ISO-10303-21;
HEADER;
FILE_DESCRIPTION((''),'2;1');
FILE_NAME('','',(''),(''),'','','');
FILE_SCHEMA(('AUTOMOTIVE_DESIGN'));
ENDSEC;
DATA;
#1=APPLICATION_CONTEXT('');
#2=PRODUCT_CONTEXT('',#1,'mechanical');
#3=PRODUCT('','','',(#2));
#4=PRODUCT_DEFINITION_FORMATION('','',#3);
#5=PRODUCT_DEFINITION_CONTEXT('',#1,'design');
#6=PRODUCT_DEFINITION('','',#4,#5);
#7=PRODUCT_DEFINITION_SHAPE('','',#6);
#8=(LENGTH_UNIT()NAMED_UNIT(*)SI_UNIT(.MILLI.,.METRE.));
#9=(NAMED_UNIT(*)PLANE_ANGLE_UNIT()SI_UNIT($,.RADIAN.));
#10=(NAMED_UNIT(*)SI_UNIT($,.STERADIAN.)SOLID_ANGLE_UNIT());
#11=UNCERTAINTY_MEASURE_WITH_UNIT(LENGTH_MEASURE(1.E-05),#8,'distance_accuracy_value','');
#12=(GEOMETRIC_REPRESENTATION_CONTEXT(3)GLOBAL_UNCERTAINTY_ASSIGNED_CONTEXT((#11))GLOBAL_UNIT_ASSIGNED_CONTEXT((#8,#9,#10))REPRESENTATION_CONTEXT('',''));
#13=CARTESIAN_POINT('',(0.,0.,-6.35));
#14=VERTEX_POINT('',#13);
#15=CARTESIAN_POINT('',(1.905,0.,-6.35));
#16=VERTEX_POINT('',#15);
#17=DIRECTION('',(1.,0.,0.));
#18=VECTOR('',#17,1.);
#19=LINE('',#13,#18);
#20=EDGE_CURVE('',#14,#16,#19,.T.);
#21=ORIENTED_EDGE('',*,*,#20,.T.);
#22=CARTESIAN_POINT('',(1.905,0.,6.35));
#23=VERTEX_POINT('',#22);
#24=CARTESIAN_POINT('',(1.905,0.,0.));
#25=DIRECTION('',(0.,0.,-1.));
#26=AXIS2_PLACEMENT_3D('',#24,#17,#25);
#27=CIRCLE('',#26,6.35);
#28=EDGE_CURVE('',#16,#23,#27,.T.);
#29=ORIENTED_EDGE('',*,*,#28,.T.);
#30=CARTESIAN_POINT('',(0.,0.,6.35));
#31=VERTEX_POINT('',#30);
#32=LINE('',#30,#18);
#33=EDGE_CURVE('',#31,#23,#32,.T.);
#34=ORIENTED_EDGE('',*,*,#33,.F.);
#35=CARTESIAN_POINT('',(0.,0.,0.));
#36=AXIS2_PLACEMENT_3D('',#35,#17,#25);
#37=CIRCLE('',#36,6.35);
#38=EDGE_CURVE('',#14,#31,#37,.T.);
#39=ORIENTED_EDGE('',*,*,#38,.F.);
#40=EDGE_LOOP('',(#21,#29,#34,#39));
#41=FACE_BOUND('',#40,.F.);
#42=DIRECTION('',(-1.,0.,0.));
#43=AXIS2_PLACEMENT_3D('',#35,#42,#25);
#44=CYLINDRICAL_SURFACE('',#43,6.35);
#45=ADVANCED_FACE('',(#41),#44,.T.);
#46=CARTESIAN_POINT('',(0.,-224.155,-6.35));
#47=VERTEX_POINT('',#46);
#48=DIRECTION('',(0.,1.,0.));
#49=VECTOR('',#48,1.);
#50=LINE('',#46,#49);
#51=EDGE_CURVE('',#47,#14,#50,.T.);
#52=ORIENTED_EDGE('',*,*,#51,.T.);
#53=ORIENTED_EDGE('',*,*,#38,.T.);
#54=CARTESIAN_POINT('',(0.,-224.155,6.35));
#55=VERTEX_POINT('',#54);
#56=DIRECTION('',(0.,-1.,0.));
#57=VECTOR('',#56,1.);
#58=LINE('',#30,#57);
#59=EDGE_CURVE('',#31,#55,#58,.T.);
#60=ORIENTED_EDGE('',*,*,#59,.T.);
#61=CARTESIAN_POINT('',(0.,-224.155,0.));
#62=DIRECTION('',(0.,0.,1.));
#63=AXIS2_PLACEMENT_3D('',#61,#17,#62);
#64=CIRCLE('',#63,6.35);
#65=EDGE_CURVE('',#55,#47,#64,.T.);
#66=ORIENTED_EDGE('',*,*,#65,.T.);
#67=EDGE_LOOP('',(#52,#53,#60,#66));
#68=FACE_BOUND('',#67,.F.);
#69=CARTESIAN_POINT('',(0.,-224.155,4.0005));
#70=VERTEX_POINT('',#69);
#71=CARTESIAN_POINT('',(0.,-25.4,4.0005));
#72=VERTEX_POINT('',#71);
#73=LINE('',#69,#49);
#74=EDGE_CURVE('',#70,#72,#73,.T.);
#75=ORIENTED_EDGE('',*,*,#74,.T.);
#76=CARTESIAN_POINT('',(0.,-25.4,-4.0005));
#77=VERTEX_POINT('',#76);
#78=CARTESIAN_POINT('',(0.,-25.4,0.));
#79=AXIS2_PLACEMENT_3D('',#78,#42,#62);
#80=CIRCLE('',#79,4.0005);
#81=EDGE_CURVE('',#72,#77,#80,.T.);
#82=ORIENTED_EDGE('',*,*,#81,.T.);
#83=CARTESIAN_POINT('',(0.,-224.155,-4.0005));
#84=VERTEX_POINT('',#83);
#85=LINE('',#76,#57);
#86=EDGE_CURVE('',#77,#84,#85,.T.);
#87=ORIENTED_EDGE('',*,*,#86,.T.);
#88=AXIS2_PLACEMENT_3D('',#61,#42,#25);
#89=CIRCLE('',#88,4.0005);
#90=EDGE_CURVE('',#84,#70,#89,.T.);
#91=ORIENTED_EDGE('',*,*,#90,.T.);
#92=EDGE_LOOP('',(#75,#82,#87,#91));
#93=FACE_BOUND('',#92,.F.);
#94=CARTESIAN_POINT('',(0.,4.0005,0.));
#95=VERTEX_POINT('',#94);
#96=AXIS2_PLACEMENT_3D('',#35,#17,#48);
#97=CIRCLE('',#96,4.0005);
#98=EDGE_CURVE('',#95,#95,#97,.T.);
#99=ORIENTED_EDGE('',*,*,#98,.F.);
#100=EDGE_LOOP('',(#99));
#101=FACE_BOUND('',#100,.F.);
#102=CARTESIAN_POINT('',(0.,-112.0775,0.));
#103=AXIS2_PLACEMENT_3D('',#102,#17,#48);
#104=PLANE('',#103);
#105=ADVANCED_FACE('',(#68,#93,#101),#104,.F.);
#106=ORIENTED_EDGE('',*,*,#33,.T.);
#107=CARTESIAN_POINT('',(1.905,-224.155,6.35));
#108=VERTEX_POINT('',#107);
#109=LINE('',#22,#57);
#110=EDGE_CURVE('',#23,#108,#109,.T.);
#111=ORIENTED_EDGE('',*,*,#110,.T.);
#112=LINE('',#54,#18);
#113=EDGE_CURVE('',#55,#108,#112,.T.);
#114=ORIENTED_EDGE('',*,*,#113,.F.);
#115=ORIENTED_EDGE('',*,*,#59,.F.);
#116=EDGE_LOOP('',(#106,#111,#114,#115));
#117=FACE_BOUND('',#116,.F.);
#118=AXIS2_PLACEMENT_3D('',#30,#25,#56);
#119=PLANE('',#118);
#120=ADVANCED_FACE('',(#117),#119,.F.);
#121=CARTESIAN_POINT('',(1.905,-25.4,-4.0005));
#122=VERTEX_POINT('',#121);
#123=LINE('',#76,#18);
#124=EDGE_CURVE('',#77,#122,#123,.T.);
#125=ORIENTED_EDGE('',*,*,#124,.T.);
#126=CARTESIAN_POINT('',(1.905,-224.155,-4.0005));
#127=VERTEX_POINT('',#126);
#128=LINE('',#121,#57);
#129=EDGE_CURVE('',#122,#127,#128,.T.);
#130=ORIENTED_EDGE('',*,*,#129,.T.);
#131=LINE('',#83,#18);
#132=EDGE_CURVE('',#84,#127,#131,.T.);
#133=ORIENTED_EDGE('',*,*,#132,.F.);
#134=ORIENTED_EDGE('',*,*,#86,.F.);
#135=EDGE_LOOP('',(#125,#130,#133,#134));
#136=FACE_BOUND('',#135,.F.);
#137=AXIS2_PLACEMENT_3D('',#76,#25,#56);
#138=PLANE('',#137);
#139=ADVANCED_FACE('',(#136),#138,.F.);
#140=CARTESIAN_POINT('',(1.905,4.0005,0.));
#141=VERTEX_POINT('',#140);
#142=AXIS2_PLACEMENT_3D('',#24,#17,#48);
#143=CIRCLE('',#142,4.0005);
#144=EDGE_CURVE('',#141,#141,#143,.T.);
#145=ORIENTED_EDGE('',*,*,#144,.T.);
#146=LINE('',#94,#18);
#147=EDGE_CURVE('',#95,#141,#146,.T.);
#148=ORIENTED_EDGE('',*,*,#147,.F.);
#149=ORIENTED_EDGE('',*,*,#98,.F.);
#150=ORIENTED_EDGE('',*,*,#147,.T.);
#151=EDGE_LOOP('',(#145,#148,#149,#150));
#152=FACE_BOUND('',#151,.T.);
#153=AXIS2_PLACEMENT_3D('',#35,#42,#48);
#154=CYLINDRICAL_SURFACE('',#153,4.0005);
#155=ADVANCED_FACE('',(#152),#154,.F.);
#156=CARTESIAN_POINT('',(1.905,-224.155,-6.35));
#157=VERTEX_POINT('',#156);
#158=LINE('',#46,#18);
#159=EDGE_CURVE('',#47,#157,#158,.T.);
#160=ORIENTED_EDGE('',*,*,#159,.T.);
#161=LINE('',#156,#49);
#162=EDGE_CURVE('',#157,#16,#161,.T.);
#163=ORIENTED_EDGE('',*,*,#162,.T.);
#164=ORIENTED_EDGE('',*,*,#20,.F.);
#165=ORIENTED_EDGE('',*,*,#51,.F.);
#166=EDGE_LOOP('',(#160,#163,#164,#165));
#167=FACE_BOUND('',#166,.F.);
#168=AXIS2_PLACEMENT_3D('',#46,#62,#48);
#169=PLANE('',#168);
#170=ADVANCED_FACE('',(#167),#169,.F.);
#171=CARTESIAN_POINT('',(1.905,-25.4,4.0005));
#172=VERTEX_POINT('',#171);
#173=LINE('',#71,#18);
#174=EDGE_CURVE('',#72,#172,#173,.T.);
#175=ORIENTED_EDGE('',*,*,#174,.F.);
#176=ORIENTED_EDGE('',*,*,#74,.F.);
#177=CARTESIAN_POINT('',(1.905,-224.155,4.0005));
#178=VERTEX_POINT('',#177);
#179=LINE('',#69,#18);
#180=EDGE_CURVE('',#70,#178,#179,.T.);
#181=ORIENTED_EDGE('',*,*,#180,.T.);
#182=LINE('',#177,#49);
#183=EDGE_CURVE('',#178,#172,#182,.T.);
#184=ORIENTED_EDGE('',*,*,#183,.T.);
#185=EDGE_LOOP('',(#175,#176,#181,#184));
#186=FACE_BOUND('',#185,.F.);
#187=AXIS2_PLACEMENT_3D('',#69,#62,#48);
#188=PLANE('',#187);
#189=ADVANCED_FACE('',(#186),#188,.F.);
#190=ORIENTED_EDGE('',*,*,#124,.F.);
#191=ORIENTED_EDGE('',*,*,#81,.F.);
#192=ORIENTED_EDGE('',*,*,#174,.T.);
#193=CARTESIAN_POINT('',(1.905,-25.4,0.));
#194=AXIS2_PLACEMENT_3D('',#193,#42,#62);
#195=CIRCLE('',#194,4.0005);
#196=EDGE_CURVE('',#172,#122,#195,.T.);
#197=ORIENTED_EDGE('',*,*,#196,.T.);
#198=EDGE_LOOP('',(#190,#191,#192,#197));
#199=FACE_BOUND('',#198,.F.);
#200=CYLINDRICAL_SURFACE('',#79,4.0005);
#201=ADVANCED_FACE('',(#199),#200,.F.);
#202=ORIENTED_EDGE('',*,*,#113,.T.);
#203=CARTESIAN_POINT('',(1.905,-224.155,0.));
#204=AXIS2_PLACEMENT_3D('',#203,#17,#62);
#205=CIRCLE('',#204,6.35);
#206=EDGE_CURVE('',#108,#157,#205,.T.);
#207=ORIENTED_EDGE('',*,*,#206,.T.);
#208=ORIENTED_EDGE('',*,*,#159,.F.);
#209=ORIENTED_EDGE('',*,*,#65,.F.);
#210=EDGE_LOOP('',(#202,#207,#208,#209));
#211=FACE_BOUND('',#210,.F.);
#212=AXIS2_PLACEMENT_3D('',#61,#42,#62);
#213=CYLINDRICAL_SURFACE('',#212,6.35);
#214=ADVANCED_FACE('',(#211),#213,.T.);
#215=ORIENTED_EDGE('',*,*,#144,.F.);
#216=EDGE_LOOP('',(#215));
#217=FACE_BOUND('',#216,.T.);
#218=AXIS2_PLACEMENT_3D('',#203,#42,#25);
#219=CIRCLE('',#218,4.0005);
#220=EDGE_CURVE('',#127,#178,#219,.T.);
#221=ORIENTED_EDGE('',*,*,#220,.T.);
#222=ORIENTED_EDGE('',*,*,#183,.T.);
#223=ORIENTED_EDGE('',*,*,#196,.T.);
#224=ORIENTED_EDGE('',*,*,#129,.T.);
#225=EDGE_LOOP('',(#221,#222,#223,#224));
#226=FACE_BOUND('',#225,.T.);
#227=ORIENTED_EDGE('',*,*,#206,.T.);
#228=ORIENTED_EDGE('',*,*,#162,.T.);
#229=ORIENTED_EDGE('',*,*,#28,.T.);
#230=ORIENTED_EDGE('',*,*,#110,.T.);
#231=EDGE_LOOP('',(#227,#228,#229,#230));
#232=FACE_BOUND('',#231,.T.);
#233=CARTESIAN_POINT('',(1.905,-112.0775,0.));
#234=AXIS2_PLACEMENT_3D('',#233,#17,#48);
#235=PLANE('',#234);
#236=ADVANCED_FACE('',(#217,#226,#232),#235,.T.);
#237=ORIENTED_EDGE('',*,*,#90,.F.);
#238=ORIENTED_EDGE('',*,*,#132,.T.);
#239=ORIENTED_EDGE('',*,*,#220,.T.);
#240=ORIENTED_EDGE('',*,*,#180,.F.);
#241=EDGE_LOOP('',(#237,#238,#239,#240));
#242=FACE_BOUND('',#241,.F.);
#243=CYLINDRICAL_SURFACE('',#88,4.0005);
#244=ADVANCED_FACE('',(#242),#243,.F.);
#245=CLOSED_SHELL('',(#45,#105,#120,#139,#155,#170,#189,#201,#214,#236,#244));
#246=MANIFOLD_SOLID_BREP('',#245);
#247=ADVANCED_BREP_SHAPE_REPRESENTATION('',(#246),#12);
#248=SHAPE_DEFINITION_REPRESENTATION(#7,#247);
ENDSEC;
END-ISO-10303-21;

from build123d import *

# Parameters (mm, degrees)
F0_R     = 4.0005
F1_DEPTH = 1.905


with BuildPart() as f1:
    # F0 (on Right) → F1 (new body)
    with BuildSketch(Plane.YZ):
        with BuildLine():
            Line((-224.155, -6.35), (0, -6.35))
            ThreePointArc((0, -6.35), (6.35, 0), (0, 6.35))
            Line((0, 6.35), (-224.155, 6.35))
            ThreePointArc((-224.155, 6.35), (-230.505, 0), (-224.155, -6.35))
        make_face()
        with BuildLine():
            ThreePointArc((-224.155, -4.0005), (-228.1555, 0), (-224.155, 4.0005))
            Line((-224.155, 4.0005), (-25.4, 4.0005))
            ThreePointArc((-25.4, 4.0005), (-21.3995, 0), (-25.4, -4.0005))
            Line((-25.4, -4.0005), (-224.155, -4.0005))
        make_face(mode=Mode.SUBTRACT)
        Circle(F0_R, mode=Mode.SUBTRACT)
    extrude(amount=F1_DEPTH)


solid = f1.part
